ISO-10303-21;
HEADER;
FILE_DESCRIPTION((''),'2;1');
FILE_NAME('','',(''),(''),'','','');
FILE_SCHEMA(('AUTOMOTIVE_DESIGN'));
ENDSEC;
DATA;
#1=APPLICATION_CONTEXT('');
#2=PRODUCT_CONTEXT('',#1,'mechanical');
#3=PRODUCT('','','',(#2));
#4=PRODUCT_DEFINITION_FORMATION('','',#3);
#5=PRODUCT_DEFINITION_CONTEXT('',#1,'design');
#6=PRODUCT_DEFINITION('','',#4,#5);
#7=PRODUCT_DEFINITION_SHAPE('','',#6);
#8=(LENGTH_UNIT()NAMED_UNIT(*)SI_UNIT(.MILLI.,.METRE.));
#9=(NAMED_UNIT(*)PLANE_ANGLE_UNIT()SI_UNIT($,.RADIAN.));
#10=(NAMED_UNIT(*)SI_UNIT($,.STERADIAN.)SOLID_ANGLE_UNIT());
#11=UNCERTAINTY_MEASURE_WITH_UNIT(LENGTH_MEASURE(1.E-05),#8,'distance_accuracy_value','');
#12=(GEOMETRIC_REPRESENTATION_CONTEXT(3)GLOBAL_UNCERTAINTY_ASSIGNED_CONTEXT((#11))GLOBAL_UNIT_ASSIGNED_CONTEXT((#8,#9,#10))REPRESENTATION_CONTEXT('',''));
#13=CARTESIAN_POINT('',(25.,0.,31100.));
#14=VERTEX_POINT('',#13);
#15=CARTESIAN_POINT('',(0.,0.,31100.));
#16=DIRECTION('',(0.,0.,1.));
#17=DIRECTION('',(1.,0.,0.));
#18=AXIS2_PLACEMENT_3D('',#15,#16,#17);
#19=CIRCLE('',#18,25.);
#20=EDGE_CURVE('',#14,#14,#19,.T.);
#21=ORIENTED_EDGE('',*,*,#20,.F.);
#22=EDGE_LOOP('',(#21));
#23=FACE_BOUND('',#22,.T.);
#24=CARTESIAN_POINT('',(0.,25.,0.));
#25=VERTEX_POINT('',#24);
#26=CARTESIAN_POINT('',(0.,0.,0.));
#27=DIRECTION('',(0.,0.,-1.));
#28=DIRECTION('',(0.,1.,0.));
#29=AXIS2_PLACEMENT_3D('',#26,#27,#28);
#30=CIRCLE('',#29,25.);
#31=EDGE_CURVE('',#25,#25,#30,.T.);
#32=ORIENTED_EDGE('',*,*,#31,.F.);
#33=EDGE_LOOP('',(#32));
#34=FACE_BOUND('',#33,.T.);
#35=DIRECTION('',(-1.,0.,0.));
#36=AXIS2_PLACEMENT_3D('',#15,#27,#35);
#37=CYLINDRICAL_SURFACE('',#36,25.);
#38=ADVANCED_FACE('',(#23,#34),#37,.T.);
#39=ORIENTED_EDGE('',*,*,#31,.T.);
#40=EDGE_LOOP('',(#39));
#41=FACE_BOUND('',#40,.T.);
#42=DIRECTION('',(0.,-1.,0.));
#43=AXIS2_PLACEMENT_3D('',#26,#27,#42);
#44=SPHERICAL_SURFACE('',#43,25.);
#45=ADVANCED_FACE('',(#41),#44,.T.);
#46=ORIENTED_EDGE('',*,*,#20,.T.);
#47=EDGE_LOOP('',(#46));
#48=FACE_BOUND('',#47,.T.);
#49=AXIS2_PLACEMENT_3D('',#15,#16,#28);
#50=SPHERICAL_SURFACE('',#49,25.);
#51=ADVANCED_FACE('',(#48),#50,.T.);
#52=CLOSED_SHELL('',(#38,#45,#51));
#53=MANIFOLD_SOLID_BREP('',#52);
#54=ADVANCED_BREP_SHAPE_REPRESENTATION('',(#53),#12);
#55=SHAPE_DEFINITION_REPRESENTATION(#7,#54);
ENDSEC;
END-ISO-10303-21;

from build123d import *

# Parameters (mm, degrees)
SKETCH_2_R      = 25
EXTRUDE_1_DEPTH = 31100


with BuildPart() as part:
    # 草图2 → 凸台-拉伸1 (new body)
    with BuildSketch(Plane.XY):
        Circle(SKETCH_2_R)
    extrude(amount=EXTRUDE_1_DEPTH)

    # 草图7 → 旋转2 (revolve)
    with BuildSketch(Plane(origin=(0, 0, 0), x_dir=(0, 0, -1), z_dir=(1, 0, 0))):
        with BuildLine():
            Line((-31100, 25), (-31100, 0))
            Line((-31100, 0), (-31125, 0))
            ThreePointArc((-31125, 0), (-31117.67766953, 17.67766953), (-31100, 25))
        make_face()
    revolve(axis=Axis((0, 0, 21000), (0, 0, -1)))

    # 草图8 → 旋转3 (revolve)
    with BuildSketch(Plane(origin=(0, 0, 0), x_dir=(0, 0, -1), z_dir=(1, 0, 0))):
        with BuildLine():
            Line((25, 0), (0, 0))
            Line((0, 0), (0, 25))
            ThreePointArc((0, 25), (17.67766953, 17.67766953), (25, 0))
        make_face()
    revolve(axis=Axis((0, 0, -25), (0, 0, 1)))


solid = part.part
